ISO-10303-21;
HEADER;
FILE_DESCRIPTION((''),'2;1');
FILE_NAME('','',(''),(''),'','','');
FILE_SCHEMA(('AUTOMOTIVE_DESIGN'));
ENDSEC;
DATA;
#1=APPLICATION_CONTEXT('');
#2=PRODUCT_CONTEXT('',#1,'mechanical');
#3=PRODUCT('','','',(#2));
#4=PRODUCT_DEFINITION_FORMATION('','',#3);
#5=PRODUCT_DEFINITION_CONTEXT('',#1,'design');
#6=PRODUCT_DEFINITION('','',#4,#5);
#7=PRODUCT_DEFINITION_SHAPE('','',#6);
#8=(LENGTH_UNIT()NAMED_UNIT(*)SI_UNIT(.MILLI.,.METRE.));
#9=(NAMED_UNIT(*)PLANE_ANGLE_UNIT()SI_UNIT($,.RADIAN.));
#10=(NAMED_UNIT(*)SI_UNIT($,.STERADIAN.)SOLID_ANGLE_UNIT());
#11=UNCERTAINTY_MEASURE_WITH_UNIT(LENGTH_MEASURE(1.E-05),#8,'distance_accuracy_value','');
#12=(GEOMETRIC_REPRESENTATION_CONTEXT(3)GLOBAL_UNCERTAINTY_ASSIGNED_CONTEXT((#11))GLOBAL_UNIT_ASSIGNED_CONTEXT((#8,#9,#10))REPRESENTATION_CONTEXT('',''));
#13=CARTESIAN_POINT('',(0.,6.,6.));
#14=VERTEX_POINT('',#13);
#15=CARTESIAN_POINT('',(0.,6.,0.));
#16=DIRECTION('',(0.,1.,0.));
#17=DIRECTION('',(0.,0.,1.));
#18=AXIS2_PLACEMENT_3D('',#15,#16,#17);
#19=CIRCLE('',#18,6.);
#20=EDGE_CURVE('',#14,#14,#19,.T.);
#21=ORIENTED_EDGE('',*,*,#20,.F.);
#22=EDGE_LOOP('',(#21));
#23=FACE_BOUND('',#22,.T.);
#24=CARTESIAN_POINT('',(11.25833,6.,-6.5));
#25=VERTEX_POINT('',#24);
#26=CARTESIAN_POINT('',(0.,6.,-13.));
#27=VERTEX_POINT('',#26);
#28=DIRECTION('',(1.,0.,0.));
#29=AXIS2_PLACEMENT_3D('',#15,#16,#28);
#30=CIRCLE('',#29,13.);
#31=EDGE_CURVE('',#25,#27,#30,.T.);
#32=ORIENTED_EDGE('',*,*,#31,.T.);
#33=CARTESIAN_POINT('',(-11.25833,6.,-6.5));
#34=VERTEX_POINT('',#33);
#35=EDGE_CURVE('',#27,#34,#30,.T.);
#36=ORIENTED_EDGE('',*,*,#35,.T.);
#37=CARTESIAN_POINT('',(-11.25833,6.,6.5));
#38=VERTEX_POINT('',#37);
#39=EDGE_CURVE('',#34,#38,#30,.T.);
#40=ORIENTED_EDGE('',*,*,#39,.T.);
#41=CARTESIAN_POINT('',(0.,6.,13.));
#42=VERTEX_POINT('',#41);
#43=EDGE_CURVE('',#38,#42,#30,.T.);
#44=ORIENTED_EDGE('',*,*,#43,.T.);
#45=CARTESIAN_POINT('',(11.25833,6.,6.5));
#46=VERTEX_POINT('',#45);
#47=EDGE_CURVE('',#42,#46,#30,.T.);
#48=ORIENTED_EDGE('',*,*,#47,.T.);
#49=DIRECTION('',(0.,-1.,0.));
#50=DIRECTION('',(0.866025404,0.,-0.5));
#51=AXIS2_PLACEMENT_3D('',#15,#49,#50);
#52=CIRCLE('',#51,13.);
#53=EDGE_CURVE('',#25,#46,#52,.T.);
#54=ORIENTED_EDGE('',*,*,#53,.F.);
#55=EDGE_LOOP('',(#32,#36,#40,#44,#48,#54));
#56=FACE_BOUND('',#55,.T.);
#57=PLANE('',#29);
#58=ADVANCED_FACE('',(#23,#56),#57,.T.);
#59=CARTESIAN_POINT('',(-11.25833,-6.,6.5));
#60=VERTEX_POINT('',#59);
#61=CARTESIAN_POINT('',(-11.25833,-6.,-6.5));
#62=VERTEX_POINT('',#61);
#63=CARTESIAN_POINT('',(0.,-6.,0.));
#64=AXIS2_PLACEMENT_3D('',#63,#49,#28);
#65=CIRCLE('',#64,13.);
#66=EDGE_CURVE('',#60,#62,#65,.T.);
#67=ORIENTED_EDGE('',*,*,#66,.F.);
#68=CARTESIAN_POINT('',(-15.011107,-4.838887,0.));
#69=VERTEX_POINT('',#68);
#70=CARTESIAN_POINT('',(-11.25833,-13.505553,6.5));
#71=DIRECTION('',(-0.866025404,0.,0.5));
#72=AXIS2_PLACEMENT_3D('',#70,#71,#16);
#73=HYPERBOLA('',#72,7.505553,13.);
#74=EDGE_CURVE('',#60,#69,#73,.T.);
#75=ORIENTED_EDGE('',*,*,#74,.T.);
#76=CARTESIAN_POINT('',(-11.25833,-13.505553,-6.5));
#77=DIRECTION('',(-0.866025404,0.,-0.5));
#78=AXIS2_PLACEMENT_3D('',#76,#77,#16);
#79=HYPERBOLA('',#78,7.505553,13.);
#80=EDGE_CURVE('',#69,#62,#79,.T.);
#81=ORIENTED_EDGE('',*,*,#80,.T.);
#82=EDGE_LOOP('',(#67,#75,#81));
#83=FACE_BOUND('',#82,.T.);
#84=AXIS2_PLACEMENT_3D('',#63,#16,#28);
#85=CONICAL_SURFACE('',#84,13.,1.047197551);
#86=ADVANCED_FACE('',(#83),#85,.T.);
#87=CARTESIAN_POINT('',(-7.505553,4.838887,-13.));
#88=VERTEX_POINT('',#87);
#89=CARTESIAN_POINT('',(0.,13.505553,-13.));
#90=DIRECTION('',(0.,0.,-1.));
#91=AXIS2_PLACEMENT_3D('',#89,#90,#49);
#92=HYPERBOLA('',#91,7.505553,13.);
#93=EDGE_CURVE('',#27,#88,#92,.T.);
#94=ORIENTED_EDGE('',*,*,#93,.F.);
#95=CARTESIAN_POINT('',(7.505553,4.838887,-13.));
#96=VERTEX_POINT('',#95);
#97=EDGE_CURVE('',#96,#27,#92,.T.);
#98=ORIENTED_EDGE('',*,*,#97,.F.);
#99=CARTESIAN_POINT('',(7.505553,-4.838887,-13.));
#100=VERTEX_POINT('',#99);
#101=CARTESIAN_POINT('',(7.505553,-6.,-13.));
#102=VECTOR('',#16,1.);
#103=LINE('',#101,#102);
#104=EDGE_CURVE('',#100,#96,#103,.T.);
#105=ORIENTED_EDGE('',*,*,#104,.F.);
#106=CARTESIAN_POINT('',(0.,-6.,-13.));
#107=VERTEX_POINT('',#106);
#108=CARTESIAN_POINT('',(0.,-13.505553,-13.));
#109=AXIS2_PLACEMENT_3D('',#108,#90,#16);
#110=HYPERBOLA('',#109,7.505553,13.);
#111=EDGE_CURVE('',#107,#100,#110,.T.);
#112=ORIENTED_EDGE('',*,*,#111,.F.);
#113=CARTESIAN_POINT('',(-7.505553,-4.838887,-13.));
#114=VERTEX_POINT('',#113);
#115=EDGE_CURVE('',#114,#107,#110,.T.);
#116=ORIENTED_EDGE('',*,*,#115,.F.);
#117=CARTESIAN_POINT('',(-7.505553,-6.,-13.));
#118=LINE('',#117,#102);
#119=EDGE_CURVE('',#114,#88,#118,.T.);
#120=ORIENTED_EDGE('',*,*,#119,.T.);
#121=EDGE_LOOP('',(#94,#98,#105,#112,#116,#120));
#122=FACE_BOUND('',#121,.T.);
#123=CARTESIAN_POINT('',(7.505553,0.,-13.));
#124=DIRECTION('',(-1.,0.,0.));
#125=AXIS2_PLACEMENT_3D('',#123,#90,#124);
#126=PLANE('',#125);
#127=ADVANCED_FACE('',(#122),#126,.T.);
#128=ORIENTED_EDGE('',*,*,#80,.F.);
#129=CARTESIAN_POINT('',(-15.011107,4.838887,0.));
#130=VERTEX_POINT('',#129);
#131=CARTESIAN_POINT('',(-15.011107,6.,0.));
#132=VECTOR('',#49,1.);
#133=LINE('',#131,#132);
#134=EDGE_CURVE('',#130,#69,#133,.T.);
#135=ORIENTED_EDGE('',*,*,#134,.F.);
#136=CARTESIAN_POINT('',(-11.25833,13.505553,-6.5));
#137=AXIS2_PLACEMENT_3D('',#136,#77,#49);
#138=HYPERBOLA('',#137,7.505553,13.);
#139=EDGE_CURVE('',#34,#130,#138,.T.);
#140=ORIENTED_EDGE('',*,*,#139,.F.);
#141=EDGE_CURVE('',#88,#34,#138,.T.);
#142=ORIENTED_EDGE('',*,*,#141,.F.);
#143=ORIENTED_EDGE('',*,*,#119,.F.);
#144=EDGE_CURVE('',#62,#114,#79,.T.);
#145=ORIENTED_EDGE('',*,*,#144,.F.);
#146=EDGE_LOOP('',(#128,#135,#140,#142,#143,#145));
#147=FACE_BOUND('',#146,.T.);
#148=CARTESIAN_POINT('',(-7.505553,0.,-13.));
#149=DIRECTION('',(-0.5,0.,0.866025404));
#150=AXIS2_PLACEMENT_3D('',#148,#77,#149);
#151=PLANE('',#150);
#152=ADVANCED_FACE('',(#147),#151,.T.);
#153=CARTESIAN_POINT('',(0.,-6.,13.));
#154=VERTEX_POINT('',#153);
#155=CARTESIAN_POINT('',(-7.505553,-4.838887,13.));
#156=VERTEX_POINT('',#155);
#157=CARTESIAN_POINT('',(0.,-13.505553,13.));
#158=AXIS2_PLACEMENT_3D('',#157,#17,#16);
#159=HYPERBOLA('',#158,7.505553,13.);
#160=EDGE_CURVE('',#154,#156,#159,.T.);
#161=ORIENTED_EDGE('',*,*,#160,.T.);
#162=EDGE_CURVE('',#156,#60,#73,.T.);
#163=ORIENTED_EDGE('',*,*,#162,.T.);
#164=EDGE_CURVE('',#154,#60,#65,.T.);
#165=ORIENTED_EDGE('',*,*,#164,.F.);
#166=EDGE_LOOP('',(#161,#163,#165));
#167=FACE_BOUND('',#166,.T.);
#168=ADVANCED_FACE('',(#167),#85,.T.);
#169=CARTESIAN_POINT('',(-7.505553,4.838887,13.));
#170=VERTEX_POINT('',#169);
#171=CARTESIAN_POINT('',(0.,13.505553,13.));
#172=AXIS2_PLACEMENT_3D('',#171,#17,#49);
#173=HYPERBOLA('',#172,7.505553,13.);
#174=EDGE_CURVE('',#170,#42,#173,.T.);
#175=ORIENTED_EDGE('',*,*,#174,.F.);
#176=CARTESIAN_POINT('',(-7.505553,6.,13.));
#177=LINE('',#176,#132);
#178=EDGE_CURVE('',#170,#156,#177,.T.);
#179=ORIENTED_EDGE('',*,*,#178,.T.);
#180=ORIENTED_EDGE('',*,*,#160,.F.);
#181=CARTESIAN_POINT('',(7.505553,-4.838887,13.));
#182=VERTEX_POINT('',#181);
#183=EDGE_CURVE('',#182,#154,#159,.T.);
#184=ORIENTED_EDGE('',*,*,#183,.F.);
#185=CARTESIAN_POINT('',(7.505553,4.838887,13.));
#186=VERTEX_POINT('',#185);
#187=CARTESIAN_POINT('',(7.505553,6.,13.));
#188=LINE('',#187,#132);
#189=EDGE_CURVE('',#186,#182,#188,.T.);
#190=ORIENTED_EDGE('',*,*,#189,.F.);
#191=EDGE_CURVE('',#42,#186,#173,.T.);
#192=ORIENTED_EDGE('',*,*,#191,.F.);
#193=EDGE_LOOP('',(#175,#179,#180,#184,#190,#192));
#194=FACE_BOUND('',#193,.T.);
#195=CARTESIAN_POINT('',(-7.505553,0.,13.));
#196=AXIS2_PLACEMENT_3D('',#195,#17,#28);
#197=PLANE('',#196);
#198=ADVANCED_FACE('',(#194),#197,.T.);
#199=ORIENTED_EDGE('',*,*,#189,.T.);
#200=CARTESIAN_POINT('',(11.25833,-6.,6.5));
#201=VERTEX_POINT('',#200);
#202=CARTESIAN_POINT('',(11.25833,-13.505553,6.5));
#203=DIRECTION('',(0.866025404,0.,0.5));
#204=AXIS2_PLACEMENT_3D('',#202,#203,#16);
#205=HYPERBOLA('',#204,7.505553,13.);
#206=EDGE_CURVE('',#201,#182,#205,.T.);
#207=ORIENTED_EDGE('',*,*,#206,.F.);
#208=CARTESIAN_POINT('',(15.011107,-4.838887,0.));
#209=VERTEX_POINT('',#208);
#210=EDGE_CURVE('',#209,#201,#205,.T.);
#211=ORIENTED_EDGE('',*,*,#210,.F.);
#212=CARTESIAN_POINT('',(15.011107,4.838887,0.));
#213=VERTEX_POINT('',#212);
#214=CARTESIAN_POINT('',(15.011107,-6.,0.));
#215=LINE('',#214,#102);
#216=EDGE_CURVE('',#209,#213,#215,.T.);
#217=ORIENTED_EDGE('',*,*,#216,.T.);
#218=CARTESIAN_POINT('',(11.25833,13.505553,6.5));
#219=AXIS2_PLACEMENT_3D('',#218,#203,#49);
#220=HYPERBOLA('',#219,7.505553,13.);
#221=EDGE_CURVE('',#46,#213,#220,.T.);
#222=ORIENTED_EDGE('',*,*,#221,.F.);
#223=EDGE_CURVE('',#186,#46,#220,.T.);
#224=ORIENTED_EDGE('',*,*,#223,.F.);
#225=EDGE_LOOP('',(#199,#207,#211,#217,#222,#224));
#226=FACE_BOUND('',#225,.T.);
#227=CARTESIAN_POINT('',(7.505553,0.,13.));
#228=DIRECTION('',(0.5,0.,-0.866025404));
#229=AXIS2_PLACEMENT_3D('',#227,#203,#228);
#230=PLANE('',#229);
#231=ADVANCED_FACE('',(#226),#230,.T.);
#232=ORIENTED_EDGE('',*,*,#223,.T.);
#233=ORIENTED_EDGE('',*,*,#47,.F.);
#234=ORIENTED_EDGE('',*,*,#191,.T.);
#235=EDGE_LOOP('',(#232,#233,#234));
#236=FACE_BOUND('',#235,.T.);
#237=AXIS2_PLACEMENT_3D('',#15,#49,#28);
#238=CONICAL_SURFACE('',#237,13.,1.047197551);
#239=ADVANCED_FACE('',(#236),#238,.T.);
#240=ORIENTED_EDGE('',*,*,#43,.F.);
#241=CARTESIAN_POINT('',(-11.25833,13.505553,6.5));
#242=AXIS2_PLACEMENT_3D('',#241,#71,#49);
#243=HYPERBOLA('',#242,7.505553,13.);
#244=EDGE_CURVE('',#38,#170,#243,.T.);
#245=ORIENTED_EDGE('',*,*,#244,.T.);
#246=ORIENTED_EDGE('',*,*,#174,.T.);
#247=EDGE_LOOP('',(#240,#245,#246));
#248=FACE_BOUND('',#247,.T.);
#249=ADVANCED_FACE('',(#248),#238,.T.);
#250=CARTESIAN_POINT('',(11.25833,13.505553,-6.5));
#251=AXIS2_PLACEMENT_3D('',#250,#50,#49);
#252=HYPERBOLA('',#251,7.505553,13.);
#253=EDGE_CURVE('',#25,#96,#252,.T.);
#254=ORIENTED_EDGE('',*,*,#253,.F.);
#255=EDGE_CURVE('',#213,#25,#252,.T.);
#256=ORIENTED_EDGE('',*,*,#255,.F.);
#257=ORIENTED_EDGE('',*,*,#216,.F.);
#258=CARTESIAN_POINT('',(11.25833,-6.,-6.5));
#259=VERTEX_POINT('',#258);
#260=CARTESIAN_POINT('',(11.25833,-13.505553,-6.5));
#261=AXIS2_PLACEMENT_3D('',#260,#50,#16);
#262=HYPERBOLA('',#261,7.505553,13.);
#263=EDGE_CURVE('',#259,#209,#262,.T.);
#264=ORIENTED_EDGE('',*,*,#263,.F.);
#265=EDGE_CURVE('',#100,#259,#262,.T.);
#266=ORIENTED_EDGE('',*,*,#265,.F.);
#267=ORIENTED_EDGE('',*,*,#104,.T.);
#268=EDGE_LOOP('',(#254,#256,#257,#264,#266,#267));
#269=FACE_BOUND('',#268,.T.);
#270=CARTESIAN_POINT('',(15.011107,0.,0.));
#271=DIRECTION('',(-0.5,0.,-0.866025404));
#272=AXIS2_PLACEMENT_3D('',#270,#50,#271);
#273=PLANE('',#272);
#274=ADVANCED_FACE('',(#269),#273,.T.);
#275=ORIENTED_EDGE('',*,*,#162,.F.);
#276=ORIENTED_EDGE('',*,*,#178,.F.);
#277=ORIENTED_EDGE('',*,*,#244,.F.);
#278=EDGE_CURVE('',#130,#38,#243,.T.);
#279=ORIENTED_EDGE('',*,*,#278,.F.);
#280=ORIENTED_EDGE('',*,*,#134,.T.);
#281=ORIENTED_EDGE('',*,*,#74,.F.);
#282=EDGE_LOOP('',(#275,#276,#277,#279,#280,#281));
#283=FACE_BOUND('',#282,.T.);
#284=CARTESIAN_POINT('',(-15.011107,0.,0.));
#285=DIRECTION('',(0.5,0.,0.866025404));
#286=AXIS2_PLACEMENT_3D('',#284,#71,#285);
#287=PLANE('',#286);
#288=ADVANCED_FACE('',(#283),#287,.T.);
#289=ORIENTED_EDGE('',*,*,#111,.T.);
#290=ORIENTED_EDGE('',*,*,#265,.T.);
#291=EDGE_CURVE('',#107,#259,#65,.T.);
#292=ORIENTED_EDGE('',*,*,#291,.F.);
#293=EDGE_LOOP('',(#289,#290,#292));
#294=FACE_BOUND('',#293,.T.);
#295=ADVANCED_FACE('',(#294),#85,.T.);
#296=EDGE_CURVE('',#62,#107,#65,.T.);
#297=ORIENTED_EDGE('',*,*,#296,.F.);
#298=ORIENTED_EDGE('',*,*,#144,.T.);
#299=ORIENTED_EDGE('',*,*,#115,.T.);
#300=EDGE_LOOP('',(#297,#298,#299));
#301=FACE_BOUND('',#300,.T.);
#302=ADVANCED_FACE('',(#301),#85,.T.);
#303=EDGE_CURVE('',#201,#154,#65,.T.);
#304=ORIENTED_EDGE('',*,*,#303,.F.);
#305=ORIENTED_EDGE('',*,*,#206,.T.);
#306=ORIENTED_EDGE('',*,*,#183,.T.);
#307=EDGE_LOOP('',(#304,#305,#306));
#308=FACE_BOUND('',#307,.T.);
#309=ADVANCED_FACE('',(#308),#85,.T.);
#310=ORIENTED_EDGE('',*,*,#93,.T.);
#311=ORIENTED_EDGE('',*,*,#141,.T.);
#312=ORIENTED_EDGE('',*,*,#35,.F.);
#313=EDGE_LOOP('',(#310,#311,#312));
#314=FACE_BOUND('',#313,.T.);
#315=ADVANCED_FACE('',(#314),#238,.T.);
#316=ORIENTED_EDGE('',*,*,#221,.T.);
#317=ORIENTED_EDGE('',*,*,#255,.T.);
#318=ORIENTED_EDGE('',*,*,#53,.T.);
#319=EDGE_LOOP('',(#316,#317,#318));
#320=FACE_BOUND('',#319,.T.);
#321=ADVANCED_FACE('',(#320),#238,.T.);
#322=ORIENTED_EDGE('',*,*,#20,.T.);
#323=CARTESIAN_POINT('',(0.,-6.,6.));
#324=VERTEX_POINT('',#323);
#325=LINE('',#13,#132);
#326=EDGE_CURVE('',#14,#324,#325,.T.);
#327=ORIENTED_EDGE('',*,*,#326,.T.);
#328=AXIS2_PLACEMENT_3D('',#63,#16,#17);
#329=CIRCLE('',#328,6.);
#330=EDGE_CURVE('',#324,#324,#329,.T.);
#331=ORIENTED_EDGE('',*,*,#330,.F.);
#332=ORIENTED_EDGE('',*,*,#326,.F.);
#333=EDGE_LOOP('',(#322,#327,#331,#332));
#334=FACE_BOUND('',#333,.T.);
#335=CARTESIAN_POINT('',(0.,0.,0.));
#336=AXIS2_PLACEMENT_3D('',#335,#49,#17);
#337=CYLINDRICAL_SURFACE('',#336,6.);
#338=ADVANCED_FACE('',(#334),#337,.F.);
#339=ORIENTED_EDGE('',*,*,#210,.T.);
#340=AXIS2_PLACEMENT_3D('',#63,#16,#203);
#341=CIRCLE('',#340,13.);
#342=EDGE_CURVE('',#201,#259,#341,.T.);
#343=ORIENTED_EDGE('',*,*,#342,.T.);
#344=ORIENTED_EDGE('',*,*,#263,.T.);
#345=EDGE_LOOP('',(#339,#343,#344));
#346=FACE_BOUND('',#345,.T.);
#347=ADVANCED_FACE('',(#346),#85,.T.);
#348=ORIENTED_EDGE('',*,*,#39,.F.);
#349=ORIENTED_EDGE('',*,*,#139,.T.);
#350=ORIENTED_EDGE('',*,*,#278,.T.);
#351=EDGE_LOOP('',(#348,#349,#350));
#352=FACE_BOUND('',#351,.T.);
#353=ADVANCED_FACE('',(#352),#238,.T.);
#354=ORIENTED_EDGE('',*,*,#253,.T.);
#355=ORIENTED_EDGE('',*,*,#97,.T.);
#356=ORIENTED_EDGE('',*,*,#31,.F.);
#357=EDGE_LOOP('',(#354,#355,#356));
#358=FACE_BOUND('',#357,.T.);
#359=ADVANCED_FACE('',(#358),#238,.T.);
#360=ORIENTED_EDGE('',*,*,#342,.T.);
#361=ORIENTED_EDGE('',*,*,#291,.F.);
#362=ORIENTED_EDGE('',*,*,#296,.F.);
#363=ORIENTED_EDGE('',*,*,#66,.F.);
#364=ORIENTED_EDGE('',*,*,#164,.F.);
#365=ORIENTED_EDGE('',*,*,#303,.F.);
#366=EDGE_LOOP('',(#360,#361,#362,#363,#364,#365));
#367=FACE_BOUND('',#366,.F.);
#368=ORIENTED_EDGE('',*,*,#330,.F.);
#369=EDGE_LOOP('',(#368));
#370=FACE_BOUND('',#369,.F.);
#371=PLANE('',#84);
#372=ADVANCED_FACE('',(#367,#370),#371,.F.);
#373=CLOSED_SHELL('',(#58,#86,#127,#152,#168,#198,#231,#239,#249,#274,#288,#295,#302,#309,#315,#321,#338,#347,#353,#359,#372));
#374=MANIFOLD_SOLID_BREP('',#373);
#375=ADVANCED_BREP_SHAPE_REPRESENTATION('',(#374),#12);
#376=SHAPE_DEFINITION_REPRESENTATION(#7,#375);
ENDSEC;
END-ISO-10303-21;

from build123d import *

# Parameters (mm, degrees)
SKETCH1_R               = 6
BOSS_EXTRUDE1_DEPTH     = 6
SKETCH2_OUTSIDE_W       = 57.64
SKETCH2_OUTSIDE_H       = 53.618
SKETCH2_OUTSIDE_R       = 13
CUT_EXTRUDE1_DEPTH      = 5
CUT_EXTRUDE1_DRAFT      = -60
MIRROR1_COPY_1_SKETCH_W = 57.64
MIRROR1_COPY_1_SKETCH_H = 53.618
MIRROR1_COPY_1_SKETCH_R = 13
MIRROR1_COPY_1_DEPTH    = 5
MIRROR1_COPY_1_DRAFT    = -60


with BuildPart() as part:
    # Sketch1 → Boss-Extrude1 (new, symmetric)
    with BuildSketch(Plane(origin=(0, 0, 0), x_dir=(1, 0, 0), z_dir=(0, 1, 0))):
        Polygon((7.505553499, -13), (15.011106999, 0), (7.505553499, 13), (-7.505553499, 13), (-15.011106999, 0), (-7.505553499, -13), align=None)
        with Locations(Location((0, 0, 0), (0, 0, 270))):
            Circle(SKETCH1_R, mode=Mode.SUBTRACT)
    extrude(amount=BOSS_EXTRUDE1_DEPTH, both=True)


with BuildPart() as cut_extrude1_tool:
    # Sketch2 outside → Cut-Extrude1 (with draft: the straight prism first)
    with BuildSketch(Plane(origin=(0, 6, 0), x_dir=(1, 0, 0), z_dir=(0, 1, 0))):
        Rectangle(SKETCH2_OUTSIDE_W, SKETCH2_OUTSIDE_H)
        Circle(SKETCH2_OUTSIDE_R, mode=Mode.SUBTRACT)
    extrude(amount=-CUT_EXTRUDE1_DEPTH)
    # Cut-Extrude1: the draft: its side faces are tilted about the plane it starts from
    cut_extrude1_sides = [cut_extrude1_tool.faces().sort_by_distance(p)[0] for p in [
        (0, 3.5, 26.809),
        (28.82, 3.5, 0),
        (0, 3.5, -26.809),
        (-28.82, 3.5, 0),
        (-13, 3.5, 0),
    ]]
    draft(cut_extrude1_sides, Plane(origin=(0, 6, 0), x_dir=(1, 0, 0), z_dir=(0, 1, 0)), CUT_EXTRUDE1_DRAFT)


with BuildPart() as part_1:
    add(part.part)

    # Cut-Extrude1: cut by cut_extrude1_tool
    add(cut_extrude1_tool.part, mode=Mode.SUBTRACT)


with BuildPart() as mirror1_copy_1_tool:
    # Mirror1 copy 1 sketch → Mirror1 copy 1 (with draft: the straight prism first)
    with BuildSketch(Plane.XZ.offset(6)):
        Rectangle(MIRROR1_COPY_1_SKETCH_W, MIRROR1_COPY_1_SKETCH_H)
        Circle(MIRROR1_COPY_1_SKETCH_R, mode=Mode.SUBTRACT)
    extrude(amount=-MIRROR1_COPY_1_DEPTH)
    # Mirror1 copy 1: the draft: its side faces are tilted about the plane it starts from
    mirror1_copy_1_sides = [mirror1_copy_1_tool.faces().sort_by_distance(p)[0] for p in [
        (0, -3.5, 26.809),
        (28.82, -3.5, 0),
        (0, -3.5, -26.809),
        (-28.82, -3.5, 0),
        (-13, -3.5, 0),
    ]]
    draft(mirror1_copy_1_sides, Plane.XZ.offset(6), MIRROR1_COPY_1_DRAFT)


with BuildPart() as part_2:
    add(part_1.part)

    # Mirror1 copy 1: cut by mirror1_copy_1_tool
    add(mirror1_copy_1_tool.part, mode=Mode.SUBTRACT)


solid = part_2.part
